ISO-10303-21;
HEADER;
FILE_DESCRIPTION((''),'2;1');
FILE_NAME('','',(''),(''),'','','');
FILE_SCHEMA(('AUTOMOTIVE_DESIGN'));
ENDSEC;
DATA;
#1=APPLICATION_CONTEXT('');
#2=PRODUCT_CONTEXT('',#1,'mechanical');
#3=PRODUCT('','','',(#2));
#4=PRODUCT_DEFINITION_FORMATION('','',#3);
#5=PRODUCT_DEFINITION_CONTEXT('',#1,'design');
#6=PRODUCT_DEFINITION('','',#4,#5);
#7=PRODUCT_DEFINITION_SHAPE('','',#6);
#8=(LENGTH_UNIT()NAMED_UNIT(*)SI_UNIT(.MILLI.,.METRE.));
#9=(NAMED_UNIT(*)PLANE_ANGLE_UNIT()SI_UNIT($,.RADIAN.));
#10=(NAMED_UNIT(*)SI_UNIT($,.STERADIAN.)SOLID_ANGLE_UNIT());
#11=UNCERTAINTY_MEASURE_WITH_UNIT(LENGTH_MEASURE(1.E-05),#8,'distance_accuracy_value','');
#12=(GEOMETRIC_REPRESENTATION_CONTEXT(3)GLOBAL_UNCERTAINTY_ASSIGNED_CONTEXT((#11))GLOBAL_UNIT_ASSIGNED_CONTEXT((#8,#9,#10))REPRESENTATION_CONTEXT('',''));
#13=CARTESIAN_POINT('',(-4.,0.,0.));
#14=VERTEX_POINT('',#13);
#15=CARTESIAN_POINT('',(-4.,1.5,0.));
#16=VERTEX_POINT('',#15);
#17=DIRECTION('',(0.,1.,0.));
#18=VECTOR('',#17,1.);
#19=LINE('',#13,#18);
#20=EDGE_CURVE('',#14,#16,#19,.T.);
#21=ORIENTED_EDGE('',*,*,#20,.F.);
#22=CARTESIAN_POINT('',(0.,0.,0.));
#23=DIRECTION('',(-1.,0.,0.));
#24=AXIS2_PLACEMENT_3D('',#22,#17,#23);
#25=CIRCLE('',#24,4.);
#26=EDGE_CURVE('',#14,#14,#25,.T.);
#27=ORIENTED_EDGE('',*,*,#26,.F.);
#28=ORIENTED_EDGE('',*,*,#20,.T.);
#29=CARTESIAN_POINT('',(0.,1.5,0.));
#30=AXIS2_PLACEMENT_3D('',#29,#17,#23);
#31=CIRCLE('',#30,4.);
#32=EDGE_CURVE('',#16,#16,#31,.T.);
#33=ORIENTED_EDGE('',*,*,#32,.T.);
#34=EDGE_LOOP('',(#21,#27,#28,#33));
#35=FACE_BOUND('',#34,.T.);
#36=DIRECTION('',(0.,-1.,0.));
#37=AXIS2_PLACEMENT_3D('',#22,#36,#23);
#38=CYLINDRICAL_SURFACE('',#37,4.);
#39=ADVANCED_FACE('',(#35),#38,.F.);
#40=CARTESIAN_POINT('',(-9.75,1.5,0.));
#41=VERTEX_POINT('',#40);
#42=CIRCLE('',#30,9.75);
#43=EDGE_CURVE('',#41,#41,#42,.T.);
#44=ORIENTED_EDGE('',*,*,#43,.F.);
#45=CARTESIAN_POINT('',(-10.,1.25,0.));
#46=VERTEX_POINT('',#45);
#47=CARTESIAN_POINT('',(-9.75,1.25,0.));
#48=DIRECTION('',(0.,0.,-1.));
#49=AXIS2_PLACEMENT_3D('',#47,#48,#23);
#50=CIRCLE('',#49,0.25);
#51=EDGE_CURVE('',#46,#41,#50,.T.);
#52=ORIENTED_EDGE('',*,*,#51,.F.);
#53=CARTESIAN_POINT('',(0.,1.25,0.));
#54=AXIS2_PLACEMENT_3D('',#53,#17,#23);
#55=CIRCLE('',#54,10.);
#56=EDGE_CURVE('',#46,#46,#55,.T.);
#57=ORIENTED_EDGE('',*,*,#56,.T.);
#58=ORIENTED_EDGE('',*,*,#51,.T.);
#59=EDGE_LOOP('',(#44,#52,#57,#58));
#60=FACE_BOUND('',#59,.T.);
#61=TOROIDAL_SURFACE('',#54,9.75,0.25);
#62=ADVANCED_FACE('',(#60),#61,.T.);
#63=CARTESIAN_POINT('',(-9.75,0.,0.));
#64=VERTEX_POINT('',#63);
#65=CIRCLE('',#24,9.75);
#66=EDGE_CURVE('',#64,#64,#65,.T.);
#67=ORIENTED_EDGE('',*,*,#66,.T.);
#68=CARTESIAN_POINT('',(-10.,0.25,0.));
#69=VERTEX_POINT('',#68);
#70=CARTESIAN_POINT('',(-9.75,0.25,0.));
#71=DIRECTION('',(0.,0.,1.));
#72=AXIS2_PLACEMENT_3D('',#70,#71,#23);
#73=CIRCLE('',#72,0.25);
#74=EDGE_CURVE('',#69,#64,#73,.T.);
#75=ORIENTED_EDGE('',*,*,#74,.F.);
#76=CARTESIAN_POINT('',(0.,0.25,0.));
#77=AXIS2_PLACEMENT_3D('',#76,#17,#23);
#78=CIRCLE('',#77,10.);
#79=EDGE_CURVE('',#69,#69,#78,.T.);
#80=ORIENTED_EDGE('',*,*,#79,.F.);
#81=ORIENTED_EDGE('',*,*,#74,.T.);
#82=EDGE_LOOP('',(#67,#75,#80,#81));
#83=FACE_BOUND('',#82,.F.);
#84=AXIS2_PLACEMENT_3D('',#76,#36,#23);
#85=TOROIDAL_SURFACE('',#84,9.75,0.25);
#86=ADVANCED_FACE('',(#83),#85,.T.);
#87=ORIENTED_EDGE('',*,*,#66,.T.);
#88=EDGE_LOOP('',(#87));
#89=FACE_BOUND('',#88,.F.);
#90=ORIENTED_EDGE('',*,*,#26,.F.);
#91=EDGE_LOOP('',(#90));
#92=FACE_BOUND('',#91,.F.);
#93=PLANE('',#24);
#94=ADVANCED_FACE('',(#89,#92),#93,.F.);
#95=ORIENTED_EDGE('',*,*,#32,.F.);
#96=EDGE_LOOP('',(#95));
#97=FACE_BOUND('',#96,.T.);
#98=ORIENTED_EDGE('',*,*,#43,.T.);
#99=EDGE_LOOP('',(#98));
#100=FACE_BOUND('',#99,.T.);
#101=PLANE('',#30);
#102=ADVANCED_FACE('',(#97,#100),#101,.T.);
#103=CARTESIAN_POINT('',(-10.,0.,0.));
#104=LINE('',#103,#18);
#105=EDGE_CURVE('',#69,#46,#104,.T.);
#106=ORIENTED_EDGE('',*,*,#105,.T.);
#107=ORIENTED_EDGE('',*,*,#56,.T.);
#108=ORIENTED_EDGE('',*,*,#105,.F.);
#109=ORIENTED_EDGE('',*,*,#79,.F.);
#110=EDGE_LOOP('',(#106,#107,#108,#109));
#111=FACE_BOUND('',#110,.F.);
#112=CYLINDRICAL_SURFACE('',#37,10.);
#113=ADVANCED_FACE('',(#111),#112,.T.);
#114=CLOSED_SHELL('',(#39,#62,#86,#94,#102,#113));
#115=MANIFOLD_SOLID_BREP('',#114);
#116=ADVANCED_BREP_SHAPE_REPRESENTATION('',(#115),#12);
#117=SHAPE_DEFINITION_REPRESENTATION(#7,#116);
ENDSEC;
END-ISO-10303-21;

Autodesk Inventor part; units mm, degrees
ref_plane "YZ Plane" through (0, 0, 0) normal (1, 0, 0) x (0, 1, 0)
ref_plane "XZ Plane" through (0, 0, 0) normal (0, 1, 0) x (-1, 0, 0)
ref_plane "XY Plane" through (0, 0, 0) normal (0, 0, 1) x (1, 0, 0)
sketch "Sketch1" plane through (0, 0, 0) normal (0, 1, 0) x (-1, 0, 0)
  circle A0 centre (0, 0) radius 10
  circle A1 centre (0, 0) radius 4
  dimension "d0" = 20
  dimension "d1" = 8
extrude "Extrusion1" add sketch "Sketch1" along normal blind 1.5
fillet "Fillet1" radius 0.25 2 edges at (10, 1.5, 0) (10, 0, 0)
properties part number "slutskive" material "Aluminum 6061"
